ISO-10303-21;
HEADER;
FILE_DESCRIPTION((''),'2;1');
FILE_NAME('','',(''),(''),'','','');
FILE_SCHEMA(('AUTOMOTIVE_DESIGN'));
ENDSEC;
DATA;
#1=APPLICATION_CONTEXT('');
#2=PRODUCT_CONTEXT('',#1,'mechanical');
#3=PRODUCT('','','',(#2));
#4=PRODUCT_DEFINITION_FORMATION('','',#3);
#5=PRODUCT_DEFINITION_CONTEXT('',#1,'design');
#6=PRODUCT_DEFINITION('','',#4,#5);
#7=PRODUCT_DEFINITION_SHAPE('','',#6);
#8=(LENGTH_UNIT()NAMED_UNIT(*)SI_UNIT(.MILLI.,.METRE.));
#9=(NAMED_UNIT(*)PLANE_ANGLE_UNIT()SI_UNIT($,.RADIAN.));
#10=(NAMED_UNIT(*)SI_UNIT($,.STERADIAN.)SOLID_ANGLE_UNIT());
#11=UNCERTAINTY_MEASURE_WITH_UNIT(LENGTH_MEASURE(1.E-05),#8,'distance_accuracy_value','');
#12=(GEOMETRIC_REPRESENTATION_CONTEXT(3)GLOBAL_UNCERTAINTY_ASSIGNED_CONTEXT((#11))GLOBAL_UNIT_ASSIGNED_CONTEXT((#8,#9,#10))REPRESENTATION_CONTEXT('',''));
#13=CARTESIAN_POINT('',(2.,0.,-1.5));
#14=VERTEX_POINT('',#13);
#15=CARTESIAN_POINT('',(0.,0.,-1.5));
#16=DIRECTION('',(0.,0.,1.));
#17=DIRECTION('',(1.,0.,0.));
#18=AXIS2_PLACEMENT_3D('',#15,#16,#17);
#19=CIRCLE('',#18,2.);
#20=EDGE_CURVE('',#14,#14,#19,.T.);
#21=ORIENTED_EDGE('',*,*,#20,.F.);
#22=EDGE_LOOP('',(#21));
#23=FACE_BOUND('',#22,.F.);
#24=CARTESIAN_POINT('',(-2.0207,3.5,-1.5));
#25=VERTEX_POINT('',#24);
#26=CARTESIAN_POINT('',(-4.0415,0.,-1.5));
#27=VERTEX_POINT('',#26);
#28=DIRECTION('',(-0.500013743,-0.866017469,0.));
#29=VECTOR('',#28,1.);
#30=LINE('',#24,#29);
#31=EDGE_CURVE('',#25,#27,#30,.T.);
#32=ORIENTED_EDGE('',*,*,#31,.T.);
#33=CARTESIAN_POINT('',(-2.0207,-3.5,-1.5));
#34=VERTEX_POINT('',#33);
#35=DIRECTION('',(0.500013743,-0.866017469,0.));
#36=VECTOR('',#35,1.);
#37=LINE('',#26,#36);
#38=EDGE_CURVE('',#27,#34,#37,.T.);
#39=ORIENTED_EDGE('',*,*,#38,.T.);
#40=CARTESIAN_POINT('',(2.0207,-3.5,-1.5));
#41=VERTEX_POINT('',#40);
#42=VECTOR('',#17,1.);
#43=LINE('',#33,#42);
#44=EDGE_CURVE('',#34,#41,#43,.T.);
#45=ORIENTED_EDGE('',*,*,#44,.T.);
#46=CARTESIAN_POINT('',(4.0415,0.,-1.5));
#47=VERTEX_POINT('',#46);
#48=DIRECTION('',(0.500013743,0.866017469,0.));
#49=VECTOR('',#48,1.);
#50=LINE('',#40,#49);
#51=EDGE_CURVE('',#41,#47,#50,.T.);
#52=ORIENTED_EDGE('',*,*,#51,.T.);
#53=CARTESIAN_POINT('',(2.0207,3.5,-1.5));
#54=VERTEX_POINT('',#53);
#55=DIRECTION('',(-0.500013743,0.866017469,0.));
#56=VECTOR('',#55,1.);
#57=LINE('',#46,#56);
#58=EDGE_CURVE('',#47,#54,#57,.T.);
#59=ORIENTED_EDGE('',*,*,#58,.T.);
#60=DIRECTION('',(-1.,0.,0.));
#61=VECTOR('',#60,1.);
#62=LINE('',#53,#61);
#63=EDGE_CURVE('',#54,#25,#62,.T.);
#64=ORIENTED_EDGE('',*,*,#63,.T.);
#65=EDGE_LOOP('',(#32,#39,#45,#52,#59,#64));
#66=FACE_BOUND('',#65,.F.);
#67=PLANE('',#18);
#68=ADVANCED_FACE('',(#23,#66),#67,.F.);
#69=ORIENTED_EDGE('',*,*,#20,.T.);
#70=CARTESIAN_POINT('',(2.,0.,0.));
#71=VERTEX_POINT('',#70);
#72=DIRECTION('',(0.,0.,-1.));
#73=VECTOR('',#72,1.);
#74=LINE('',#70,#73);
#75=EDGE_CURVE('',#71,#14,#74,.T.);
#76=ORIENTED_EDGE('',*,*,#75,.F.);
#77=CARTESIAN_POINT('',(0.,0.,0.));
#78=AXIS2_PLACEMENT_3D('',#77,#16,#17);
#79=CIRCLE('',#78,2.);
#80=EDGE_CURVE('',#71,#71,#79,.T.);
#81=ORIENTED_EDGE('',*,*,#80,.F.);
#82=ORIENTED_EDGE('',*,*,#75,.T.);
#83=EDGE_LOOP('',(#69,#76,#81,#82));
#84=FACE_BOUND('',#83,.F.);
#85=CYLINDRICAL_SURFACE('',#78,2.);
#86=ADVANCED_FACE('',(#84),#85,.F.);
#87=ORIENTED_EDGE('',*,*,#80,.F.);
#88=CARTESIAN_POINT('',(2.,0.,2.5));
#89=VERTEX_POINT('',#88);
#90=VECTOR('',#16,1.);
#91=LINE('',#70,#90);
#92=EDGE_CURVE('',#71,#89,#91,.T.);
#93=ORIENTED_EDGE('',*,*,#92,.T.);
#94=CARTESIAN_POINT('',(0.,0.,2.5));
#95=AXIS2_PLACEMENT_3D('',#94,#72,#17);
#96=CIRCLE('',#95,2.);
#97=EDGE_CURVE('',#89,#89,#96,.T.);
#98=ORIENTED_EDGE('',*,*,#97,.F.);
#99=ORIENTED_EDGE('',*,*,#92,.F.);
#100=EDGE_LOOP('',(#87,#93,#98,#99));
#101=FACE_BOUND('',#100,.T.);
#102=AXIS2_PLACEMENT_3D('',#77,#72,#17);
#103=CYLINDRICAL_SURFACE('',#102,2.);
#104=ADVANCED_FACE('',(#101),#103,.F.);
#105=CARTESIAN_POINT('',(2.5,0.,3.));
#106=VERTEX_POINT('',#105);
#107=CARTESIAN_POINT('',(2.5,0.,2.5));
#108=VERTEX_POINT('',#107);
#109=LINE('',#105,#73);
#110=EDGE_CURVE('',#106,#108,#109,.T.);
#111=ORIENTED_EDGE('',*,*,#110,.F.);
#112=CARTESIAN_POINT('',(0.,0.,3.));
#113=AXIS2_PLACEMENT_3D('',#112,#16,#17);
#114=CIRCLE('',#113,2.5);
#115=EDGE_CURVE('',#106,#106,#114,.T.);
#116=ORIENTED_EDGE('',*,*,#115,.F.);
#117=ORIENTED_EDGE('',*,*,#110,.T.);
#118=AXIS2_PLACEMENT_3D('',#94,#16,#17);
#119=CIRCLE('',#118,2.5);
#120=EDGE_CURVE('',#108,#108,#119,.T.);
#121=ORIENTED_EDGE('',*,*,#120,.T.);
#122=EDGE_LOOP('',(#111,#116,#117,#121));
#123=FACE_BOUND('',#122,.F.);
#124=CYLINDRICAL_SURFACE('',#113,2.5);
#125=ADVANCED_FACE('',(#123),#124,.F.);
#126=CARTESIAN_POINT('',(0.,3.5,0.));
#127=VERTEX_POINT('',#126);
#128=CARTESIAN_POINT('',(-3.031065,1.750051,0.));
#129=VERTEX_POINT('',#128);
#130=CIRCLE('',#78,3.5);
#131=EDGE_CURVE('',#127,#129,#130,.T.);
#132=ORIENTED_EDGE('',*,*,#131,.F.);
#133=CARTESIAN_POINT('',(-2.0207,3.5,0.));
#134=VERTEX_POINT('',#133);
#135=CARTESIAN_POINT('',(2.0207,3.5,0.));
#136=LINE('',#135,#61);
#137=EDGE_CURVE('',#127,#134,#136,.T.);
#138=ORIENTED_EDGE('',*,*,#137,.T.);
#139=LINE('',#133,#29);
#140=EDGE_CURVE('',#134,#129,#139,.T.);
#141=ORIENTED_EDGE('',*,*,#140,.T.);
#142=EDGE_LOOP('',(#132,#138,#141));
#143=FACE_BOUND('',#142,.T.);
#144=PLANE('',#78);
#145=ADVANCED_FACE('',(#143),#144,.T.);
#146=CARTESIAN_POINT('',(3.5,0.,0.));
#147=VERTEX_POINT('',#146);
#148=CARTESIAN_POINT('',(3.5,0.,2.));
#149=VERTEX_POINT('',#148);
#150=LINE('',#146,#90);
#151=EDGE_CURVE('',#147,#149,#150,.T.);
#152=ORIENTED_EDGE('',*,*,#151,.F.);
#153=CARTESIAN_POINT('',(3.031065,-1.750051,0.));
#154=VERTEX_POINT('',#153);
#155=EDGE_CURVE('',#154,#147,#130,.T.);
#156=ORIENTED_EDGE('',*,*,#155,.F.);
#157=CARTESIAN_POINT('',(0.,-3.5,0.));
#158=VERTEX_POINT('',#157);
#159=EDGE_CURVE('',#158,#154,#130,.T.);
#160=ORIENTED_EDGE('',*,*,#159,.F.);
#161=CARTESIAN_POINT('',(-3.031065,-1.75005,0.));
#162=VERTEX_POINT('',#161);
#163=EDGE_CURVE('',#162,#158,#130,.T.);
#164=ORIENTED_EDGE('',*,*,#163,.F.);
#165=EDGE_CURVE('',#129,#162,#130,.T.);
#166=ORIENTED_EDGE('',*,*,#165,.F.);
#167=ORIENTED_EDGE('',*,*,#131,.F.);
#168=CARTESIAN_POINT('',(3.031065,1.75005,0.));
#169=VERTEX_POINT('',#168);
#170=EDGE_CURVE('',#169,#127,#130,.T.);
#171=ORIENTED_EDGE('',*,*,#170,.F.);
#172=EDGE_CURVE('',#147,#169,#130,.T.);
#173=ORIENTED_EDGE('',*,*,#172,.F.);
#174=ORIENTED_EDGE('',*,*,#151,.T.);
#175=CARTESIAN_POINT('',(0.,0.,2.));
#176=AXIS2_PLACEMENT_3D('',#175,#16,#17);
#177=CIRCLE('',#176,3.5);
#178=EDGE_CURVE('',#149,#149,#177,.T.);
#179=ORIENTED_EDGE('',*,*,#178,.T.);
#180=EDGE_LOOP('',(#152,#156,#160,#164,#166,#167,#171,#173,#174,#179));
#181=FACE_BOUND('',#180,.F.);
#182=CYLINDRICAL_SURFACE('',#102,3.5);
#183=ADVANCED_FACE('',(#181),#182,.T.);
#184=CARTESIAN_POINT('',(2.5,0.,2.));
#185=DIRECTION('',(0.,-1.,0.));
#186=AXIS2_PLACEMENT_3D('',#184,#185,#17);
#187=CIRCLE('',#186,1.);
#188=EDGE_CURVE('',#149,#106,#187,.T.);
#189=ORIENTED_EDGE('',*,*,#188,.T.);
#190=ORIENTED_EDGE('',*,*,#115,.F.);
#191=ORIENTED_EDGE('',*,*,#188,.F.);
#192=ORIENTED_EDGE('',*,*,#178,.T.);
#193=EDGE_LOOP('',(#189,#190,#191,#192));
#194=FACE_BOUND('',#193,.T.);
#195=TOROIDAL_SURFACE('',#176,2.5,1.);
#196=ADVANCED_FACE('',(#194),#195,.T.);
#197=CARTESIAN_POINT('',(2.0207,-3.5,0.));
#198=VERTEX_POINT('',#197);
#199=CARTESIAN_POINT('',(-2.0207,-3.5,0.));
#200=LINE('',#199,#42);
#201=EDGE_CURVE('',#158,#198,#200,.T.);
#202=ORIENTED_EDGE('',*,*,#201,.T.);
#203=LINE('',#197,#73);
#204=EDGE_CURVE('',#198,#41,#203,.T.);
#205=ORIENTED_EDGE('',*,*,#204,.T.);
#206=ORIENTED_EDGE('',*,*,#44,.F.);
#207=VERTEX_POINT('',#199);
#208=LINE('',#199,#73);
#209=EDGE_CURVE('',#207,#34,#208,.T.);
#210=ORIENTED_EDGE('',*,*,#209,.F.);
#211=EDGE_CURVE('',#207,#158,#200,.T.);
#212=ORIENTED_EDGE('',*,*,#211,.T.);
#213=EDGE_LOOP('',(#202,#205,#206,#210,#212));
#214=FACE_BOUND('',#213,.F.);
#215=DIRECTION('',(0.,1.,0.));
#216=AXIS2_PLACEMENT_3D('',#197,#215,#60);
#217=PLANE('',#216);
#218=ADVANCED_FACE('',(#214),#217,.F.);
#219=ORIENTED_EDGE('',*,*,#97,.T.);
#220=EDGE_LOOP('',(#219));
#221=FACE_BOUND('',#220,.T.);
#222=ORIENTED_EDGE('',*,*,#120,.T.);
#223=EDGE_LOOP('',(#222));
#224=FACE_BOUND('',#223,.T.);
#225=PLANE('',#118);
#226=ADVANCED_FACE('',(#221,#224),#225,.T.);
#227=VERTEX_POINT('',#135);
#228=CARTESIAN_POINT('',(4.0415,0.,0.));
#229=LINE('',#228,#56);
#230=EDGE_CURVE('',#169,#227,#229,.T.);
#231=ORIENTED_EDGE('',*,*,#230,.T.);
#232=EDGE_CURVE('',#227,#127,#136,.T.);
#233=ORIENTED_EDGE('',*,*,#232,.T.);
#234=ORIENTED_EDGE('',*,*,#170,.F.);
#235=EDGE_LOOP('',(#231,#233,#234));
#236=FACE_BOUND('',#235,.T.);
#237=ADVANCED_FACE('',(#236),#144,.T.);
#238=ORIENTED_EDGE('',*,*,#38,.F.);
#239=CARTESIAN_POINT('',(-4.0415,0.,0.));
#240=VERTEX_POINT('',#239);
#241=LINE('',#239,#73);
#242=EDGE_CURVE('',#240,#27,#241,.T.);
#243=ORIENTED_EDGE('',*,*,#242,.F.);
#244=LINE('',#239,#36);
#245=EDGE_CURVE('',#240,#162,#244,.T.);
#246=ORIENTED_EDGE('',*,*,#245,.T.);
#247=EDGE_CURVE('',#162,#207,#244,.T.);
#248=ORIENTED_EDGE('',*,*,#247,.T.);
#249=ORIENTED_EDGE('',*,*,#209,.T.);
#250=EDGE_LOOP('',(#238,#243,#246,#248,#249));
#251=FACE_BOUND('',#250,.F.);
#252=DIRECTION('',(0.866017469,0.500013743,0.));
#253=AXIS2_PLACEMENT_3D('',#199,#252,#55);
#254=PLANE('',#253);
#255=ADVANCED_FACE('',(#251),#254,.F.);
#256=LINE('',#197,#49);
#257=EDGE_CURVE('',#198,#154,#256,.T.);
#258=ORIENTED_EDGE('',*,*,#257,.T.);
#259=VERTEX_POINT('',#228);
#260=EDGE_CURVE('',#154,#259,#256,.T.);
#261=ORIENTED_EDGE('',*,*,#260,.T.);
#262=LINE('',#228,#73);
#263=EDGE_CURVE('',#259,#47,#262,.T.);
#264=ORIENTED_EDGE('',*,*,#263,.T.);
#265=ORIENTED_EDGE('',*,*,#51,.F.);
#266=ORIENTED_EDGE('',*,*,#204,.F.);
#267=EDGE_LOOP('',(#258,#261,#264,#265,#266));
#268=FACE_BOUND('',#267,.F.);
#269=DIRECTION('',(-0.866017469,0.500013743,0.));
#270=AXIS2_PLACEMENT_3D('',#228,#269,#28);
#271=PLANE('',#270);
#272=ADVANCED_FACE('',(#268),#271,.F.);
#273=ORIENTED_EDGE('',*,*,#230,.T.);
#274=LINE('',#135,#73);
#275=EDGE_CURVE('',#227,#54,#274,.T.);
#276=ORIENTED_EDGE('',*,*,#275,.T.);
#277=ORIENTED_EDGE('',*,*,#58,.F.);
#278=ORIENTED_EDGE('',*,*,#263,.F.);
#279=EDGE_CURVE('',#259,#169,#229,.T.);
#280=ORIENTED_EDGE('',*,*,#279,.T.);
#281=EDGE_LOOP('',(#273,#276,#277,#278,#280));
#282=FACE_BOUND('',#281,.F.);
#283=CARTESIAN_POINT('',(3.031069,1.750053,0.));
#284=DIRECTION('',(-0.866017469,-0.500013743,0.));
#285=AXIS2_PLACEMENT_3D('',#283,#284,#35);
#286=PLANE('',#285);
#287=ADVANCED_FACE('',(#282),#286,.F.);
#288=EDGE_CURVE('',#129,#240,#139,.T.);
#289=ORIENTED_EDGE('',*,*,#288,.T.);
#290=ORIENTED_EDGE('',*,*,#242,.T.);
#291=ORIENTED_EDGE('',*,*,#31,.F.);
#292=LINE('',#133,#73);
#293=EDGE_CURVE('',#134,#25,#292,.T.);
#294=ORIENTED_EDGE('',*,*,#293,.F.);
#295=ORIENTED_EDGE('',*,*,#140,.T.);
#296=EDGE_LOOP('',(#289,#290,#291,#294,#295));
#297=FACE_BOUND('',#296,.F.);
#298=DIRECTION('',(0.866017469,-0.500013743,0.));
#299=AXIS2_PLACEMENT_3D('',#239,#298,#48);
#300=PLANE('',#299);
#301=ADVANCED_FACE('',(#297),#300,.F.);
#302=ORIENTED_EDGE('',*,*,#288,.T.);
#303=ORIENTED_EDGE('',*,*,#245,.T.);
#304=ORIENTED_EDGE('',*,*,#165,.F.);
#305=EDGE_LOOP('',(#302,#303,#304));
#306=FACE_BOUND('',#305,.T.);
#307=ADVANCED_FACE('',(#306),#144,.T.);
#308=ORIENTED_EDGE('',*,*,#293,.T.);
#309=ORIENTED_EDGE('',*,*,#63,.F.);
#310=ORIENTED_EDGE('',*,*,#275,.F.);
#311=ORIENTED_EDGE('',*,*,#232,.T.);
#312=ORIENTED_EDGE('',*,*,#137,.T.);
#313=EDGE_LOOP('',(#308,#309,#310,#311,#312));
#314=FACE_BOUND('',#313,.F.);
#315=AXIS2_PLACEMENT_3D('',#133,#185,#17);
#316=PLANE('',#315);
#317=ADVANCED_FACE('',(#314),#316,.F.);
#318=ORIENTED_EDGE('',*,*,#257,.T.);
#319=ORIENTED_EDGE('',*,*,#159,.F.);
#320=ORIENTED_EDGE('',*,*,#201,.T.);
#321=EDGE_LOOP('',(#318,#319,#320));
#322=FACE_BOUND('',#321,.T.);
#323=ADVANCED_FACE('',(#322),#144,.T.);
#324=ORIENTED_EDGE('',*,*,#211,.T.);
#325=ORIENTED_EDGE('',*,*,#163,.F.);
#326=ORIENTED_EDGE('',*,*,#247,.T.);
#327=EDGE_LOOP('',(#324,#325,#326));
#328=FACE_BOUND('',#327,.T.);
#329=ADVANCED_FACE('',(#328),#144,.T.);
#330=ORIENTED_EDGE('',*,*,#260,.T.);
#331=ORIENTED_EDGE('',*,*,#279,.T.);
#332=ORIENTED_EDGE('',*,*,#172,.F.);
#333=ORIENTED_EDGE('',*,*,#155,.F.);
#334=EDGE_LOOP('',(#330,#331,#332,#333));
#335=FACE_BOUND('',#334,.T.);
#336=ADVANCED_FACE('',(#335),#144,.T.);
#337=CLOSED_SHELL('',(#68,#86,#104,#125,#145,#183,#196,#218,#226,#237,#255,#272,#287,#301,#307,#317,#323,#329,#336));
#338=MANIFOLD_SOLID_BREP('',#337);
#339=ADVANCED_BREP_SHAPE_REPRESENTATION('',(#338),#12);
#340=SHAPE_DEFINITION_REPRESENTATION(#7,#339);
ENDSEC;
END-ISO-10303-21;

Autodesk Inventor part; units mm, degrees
ref_plane "YZ Plane" through (0, 0, 0) normal (1, 0, 0) x (0, 1, 0)
ref_plane "XZ Plane" through (0, 0, 0) normal (0, 1, 0) x (-1, 0, 0)
ref_plane "XY Plane" through (0, 0, 0) normal (0, 0, 1) x (1, 0, 0)
sketch "Sketch1" plane through (0, 0, 0) normal (0, 0, 1) x (1, 0, 0)
  circle A0 centre (0, 0) radius 3.5
  dimension "d0" = 7
extrude "Extrusion1" add sketch "Sketch1" along normal blind 3
sketch "Sketch4" plane through (0, 0, 0) normal (0, 0, 1) x (1, 0, 0)
  circle A0 centre (0, 0) radius 3.5 projected
  line L0 (2.0207, 3.5) -> (4.0415, 0)
  line L1 (4.0415, 0) -> (2.0207, -3.5)
  line L2 (2.0207, -3.5) -> (-2.0207, -3.5)
  line L3 (-2.0207, -3.5) -> (-4.0415, 0)
  line L4 (-4.0415, 0) -> (-2.0207, 3.5)
  line L5 (-2.0207, 3.5) -> (2.0207, 3.5)
  point P0 (0, 3.5)
extrude "Extrusion4" add sketch "Sketch4" against normal blind 1.5
fillet "Fillet1" radius 1 1 edges at (-3.5, 0, 3)
sketch "Sketch5" plane through (0, 0, 3) normal (0, 0, 1) x (1, 0, 0)
  circle A0 centre (0, 0) radius 2.5
  dimension "d14" = 5
extrude "Extrusion5" cut sketch "Sketch5" against normal blind 0.5
sketch "Sketch6" plane through (0, 0, 0) normal (0, 0, 1) x (1, 0, 0)
  circle A0 centre (0, 0) radius 2.5 projected
  circle A1 centre (0, 0) radius 2
  dimension "d17" = 4
extrude "Extrusion6" cut sketch "Sketch6" along normal mid plane 16 contours A1
properties part number "bolt"
